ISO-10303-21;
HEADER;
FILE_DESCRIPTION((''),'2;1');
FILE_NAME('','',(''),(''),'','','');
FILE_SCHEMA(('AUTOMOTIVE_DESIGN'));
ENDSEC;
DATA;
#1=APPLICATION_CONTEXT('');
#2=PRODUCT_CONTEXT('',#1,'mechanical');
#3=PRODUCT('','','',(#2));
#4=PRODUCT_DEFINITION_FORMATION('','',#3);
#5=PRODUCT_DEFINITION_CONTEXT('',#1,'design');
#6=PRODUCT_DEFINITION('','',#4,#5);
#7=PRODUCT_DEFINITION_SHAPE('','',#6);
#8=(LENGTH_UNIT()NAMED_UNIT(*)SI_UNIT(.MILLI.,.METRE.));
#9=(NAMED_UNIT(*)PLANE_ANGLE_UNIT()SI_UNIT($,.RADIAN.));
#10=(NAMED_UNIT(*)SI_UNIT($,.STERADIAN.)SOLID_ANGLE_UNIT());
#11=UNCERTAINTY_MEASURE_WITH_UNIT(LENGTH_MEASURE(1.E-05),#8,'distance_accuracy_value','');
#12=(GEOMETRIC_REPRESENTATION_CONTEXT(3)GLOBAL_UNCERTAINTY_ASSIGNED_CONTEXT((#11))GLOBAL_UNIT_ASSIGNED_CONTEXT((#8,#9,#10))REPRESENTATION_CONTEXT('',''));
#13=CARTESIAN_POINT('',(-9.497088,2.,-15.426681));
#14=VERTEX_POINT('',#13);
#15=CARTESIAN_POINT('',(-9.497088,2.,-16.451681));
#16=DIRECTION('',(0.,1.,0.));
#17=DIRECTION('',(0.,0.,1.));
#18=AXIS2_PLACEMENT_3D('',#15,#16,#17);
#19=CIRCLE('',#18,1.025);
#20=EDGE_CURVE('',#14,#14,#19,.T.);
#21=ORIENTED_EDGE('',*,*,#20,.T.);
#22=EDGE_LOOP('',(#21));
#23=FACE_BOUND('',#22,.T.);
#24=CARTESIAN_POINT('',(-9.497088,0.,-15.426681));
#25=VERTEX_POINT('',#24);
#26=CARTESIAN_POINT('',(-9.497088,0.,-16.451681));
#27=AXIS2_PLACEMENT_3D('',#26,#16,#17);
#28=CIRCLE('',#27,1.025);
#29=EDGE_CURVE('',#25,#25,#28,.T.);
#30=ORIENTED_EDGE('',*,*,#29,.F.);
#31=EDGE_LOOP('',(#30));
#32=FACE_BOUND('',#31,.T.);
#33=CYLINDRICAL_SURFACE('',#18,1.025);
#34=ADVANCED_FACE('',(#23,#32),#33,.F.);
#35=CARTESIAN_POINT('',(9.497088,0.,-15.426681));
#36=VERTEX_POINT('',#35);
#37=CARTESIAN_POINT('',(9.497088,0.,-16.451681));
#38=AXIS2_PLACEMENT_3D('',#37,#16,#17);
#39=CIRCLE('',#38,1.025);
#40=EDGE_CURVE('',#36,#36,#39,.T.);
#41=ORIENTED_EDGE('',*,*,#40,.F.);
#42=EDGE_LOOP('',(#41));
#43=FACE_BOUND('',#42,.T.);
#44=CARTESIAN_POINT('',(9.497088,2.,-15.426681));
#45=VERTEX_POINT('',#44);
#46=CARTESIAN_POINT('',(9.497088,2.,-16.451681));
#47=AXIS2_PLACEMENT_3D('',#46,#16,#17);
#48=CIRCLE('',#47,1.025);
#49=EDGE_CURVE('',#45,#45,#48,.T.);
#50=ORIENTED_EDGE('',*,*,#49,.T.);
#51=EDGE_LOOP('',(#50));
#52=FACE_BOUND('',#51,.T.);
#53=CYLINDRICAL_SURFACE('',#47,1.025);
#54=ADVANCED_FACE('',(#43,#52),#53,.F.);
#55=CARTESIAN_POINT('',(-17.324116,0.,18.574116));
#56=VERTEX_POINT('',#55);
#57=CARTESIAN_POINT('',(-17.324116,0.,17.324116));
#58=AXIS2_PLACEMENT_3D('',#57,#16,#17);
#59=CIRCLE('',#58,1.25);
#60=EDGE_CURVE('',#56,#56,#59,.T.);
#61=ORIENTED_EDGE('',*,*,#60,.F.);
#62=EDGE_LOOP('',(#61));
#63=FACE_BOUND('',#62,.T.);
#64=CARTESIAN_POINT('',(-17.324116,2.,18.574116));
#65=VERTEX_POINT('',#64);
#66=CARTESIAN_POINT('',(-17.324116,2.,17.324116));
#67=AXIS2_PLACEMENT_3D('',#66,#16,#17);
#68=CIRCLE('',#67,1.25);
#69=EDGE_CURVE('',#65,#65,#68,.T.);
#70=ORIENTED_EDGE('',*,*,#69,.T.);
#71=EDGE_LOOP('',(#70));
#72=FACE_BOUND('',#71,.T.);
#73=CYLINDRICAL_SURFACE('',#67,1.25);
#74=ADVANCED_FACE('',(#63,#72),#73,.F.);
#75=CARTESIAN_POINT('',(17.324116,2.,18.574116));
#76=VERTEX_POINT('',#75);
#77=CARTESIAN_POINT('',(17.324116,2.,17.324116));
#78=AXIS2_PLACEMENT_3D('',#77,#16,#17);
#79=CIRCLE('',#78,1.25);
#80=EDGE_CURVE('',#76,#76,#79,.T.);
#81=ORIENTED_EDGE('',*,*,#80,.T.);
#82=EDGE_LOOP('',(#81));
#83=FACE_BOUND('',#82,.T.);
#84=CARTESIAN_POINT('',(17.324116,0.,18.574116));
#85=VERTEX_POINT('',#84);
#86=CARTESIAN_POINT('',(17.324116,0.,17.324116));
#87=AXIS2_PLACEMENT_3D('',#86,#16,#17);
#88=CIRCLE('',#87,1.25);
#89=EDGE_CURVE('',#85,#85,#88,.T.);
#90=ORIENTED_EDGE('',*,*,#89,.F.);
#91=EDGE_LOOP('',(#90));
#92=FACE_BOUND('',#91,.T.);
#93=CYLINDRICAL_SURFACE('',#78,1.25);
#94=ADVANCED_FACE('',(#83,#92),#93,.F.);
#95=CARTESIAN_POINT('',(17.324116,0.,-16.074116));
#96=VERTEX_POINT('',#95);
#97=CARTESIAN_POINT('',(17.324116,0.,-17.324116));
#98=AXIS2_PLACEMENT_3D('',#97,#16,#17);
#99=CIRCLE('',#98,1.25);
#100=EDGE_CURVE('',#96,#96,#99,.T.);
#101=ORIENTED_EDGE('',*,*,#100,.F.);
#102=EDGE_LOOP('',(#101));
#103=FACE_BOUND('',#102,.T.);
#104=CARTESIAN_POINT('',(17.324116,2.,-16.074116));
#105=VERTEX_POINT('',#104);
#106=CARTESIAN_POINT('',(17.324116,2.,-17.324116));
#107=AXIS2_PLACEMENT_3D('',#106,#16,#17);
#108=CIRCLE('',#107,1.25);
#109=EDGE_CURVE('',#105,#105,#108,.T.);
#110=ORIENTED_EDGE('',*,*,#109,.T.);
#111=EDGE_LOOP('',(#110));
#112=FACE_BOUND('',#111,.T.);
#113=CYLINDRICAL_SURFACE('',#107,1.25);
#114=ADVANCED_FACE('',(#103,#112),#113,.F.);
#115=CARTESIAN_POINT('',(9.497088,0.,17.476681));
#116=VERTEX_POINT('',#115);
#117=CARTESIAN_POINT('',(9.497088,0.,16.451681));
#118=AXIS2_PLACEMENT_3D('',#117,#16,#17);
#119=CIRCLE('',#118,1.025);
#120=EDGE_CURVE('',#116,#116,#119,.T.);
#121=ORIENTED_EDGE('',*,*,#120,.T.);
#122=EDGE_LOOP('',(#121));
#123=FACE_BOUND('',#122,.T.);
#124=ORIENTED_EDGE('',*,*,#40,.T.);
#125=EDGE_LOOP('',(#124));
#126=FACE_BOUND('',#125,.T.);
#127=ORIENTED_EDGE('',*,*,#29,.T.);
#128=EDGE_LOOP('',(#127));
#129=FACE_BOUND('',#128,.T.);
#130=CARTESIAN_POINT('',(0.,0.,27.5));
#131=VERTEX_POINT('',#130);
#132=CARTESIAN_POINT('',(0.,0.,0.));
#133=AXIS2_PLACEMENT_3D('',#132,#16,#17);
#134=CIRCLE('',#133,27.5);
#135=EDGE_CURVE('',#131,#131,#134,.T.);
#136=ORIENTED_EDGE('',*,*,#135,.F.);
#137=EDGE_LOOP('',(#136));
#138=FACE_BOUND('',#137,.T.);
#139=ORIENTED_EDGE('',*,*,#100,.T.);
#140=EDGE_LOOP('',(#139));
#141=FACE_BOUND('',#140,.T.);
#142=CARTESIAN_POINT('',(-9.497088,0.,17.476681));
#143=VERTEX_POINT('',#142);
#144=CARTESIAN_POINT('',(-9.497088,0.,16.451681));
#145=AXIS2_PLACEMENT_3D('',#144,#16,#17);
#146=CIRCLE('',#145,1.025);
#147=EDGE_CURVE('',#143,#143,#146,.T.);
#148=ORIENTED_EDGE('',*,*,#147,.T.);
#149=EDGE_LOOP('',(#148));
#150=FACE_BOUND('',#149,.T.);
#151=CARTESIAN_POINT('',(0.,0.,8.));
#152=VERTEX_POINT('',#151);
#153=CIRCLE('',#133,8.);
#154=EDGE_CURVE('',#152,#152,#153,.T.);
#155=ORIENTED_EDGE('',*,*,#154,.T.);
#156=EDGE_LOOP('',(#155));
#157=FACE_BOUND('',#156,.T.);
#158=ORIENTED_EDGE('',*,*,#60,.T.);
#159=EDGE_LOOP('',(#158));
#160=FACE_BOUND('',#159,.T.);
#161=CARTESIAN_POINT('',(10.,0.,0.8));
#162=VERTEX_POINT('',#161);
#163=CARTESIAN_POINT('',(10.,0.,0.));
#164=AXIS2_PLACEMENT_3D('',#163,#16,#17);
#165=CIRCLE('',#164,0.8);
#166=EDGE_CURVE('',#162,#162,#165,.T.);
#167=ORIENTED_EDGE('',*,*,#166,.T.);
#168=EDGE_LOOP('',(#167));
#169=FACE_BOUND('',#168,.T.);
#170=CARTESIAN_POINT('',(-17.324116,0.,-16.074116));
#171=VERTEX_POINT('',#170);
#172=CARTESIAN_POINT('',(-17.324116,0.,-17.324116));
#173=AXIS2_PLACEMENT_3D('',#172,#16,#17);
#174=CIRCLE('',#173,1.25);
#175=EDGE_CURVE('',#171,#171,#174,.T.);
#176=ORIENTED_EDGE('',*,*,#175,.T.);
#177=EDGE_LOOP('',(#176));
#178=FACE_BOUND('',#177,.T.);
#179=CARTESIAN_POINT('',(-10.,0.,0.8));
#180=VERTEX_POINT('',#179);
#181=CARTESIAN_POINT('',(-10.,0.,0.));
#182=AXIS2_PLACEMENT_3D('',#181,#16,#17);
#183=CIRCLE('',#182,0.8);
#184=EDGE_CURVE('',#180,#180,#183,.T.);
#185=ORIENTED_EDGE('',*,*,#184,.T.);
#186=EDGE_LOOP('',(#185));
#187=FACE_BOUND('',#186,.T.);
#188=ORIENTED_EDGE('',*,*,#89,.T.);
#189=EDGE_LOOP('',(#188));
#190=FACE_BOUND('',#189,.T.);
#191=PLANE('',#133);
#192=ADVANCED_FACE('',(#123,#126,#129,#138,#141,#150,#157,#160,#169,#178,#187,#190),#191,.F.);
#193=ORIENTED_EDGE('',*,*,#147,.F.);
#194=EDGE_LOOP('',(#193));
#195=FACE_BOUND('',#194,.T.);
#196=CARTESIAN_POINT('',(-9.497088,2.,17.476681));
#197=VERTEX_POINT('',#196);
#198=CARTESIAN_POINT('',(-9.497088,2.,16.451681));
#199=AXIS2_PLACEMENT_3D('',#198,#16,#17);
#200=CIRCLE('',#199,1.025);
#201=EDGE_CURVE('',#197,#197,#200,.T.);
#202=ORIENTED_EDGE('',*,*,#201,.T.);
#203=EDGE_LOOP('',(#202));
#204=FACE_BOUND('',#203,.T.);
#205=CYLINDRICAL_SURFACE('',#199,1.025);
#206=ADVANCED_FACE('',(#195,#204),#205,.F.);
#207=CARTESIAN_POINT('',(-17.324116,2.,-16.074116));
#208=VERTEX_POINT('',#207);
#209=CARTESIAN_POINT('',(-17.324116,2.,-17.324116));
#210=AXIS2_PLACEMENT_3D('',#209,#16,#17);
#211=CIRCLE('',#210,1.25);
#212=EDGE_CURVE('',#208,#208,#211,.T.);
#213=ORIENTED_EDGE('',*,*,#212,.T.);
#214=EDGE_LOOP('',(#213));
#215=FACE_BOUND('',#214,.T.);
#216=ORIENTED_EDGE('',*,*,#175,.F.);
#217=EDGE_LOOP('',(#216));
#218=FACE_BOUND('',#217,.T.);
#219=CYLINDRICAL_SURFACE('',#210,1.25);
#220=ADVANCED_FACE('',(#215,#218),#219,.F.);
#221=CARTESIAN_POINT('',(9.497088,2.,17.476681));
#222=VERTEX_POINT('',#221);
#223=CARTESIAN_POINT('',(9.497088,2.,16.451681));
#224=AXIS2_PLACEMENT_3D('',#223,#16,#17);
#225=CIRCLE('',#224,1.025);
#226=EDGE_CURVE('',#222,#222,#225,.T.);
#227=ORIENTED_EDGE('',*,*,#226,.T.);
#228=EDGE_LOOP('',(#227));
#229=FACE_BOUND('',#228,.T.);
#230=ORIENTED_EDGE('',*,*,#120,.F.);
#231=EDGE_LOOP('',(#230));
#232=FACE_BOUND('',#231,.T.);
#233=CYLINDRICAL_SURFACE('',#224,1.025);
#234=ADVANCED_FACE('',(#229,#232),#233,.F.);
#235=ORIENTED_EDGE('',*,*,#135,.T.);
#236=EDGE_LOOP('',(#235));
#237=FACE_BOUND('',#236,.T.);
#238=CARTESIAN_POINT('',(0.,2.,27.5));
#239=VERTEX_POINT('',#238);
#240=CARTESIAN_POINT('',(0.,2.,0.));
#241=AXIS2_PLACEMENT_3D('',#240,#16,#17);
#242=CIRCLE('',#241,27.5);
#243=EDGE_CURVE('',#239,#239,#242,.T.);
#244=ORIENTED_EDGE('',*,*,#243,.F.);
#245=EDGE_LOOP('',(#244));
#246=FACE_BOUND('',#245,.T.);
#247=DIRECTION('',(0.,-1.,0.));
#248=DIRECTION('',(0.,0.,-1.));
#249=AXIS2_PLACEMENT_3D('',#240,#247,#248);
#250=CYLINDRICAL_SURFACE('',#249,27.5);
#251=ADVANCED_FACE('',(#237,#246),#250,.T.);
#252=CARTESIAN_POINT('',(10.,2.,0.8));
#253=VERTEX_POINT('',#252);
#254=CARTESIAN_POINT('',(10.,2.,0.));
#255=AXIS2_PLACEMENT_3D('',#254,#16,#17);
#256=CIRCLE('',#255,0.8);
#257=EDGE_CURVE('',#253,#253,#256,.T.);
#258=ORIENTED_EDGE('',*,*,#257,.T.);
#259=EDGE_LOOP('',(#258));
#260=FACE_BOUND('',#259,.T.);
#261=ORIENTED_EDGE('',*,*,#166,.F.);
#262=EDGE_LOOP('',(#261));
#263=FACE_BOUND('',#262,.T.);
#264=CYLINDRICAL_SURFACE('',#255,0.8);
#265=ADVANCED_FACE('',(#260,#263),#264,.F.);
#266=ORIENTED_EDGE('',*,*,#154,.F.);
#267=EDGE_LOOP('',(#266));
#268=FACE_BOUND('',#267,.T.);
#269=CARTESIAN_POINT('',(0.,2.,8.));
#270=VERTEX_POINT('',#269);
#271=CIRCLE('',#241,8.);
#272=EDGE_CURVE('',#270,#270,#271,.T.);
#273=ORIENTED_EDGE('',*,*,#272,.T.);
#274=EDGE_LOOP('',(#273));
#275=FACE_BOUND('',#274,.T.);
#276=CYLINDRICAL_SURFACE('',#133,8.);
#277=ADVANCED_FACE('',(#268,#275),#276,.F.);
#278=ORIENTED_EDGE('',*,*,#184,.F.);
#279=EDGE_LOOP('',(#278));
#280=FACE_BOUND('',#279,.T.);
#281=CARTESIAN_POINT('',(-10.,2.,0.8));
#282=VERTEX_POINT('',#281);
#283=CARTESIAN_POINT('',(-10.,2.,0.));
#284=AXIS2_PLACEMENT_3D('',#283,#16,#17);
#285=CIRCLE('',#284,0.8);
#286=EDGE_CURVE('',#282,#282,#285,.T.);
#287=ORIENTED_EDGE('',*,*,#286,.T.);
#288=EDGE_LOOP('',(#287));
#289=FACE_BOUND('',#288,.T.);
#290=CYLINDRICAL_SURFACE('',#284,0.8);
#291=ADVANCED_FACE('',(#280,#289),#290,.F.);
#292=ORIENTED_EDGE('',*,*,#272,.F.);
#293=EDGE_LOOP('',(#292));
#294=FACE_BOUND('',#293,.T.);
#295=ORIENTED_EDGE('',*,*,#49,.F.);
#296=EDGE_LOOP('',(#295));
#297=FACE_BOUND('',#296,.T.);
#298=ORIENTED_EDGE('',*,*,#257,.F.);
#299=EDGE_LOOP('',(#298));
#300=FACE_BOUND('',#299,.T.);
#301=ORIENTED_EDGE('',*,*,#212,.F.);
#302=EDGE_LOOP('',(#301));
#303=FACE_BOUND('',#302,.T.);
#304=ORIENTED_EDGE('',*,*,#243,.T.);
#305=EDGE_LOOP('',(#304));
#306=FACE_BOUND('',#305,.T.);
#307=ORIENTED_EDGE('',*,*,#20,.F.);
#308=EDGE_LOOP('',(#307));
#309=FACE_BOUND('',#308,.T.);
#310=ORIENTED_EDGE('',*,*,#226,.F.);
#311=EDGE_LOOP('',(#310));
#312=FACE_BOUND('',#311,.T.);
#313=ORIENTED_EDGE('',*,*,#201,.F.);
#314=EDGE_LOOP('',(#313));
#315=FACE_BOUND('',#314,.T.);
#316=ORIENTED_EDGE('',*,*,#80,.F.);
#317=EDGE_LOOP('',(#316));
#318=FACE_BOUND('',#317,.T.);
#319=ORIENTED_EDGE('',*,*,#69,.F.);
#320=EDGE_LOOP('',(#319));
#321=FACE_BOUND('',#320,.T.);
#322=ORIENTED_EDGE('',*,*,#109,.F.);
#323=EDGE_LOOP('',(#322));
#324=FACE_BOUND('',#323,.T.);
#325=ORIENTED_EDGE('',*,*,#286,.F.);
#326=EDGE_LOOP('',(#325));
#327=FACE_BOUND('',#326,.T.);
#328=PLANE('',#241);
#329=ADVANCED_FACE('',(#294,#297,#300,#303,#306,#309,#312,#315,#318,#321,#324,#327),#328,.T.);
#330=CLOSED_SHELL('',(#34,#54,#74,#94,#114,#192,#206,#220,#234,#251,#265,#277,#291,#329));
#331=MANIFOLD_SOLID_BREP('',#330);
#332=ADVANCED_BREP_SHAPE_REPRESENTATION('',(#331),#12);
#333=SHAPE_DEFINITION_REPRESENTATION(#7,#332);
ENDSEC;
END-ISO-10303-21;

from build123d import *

# Parameters (mm, degrees)
SKETCH_1_R           = 27.5
EXTRUDE_1_DEPTH      = 2
SKETCH_2_R           = 8
CUT_EXTRUDE_1_DEPTH  = 39.942264957
HOLE_WIZARD_M2_1_D   = 1.6
HOLE_WIZARD_M3_4_D   = 2.5
MIRROR_2_COPY_1_D    = 2.5
HOLE_WIZARD_M2_5_1_D = 2.05


with BuildPart() as part:
    # 草图1 → 凸台-拉伸1 (new body)
    with BuildSketch(Plane(origin=(0, 0, 0), x_dir=(1, 0, 0), z_dir=(0, 1, 0))):
        with Locations(Location((0, 0, 0), (0, 0, 270))):
            Circle(SKETCH_1_R)
    extrude(amount=EXTRUDE_1_DEPTH)

    # 草图2 → 切除-拉伸1 (cut, through all)
    with BuildSketch(Plane(origin=(0, 2, 0), x_dir=(1, 0, 0), z_dir=(0, 1, 0))):
        with Locations(Location((0, 0, 0), (0, 0, 270))):
            Circle(SKETCH_2_R)
    extrude(amount=-CUT_EXTRUDE_1_DEPTH, mode=Mode.SUBTRACT)

    # M2 螺纹孔1 (through all)
    with Locations(Plane(origin=(0, 2, 0), x_dir=(1, 0, 0), z_dir=(0, 1, 0))):
        with Locations((-10, 0)):
            hole_wizard_m2_1 = Hole(HOLE_WIZARD_M2_1_D / 2)

    # M3 螺纹孔4 (through all)
    with Locations(Plane(origin=(0, 2, 0), x_dir=(1, 0, 0), z_dir=(0, 1, 0))):
        with Locations((-17.324116139, 17.324116139)):
            hole_wizard_m3_4 = Hole(HOLE_WIZARD_M3_4_D / 2)

    # 镜向1: M3 螺纹孔4 across plane
    add(hole_wizard_m3_4.mirror(Plane(origin=(0, 0, 0), x_dir=(0, 0, 1), z_dir=(1, 0, 0))), mode=Mode.SUBTRACT)

    # 镜向2: M3 螺纹孔4 across plane
    add(hole_wizard_m3_4.mirror(Plane.XY), mode=Mode.SUBTRACT)

    # 镜向2 copy 1 (through all)
    with Locations(Plane(origin=(0, 2, 0), x_dir=(-1, 0, 0), z_dir=(0, 1, 0))):
        with Locations((-17.324116139, 17.324116139)):
            Hole(MIRROR_2_COPY_1_D / 2)

    # 镜向3: M2 螺纹孔1 across plane
    add(hole_wizard_m2_1.mirror(Plane(origin=(0, 0, 0), x_dir=(0, 0, 1), z_dir=(1, 0, 0))), mode=Mode.SUBTRACT)

    # M2.5 螺纹孔1 (through all)
    with Locations(Plane(origin=(0, 2, 0), x_dir=(1, 0, 0), z_dir=(0, 1, 0))):
        with Locations((-9.497088469, 16.451681088), (9.497088469, 16.451681088)):
            hole_wizard_m2_5_1 = Hole(HOLE_WIZARD_M2_5_1_D / 2)

    # 镜向4: M2.5 螺纹孔1 across plane
    add(hole_wizard_m2_5_1.mirror(Plane.XY), mode=Mode.SUBTRACT)


solid = part.part
